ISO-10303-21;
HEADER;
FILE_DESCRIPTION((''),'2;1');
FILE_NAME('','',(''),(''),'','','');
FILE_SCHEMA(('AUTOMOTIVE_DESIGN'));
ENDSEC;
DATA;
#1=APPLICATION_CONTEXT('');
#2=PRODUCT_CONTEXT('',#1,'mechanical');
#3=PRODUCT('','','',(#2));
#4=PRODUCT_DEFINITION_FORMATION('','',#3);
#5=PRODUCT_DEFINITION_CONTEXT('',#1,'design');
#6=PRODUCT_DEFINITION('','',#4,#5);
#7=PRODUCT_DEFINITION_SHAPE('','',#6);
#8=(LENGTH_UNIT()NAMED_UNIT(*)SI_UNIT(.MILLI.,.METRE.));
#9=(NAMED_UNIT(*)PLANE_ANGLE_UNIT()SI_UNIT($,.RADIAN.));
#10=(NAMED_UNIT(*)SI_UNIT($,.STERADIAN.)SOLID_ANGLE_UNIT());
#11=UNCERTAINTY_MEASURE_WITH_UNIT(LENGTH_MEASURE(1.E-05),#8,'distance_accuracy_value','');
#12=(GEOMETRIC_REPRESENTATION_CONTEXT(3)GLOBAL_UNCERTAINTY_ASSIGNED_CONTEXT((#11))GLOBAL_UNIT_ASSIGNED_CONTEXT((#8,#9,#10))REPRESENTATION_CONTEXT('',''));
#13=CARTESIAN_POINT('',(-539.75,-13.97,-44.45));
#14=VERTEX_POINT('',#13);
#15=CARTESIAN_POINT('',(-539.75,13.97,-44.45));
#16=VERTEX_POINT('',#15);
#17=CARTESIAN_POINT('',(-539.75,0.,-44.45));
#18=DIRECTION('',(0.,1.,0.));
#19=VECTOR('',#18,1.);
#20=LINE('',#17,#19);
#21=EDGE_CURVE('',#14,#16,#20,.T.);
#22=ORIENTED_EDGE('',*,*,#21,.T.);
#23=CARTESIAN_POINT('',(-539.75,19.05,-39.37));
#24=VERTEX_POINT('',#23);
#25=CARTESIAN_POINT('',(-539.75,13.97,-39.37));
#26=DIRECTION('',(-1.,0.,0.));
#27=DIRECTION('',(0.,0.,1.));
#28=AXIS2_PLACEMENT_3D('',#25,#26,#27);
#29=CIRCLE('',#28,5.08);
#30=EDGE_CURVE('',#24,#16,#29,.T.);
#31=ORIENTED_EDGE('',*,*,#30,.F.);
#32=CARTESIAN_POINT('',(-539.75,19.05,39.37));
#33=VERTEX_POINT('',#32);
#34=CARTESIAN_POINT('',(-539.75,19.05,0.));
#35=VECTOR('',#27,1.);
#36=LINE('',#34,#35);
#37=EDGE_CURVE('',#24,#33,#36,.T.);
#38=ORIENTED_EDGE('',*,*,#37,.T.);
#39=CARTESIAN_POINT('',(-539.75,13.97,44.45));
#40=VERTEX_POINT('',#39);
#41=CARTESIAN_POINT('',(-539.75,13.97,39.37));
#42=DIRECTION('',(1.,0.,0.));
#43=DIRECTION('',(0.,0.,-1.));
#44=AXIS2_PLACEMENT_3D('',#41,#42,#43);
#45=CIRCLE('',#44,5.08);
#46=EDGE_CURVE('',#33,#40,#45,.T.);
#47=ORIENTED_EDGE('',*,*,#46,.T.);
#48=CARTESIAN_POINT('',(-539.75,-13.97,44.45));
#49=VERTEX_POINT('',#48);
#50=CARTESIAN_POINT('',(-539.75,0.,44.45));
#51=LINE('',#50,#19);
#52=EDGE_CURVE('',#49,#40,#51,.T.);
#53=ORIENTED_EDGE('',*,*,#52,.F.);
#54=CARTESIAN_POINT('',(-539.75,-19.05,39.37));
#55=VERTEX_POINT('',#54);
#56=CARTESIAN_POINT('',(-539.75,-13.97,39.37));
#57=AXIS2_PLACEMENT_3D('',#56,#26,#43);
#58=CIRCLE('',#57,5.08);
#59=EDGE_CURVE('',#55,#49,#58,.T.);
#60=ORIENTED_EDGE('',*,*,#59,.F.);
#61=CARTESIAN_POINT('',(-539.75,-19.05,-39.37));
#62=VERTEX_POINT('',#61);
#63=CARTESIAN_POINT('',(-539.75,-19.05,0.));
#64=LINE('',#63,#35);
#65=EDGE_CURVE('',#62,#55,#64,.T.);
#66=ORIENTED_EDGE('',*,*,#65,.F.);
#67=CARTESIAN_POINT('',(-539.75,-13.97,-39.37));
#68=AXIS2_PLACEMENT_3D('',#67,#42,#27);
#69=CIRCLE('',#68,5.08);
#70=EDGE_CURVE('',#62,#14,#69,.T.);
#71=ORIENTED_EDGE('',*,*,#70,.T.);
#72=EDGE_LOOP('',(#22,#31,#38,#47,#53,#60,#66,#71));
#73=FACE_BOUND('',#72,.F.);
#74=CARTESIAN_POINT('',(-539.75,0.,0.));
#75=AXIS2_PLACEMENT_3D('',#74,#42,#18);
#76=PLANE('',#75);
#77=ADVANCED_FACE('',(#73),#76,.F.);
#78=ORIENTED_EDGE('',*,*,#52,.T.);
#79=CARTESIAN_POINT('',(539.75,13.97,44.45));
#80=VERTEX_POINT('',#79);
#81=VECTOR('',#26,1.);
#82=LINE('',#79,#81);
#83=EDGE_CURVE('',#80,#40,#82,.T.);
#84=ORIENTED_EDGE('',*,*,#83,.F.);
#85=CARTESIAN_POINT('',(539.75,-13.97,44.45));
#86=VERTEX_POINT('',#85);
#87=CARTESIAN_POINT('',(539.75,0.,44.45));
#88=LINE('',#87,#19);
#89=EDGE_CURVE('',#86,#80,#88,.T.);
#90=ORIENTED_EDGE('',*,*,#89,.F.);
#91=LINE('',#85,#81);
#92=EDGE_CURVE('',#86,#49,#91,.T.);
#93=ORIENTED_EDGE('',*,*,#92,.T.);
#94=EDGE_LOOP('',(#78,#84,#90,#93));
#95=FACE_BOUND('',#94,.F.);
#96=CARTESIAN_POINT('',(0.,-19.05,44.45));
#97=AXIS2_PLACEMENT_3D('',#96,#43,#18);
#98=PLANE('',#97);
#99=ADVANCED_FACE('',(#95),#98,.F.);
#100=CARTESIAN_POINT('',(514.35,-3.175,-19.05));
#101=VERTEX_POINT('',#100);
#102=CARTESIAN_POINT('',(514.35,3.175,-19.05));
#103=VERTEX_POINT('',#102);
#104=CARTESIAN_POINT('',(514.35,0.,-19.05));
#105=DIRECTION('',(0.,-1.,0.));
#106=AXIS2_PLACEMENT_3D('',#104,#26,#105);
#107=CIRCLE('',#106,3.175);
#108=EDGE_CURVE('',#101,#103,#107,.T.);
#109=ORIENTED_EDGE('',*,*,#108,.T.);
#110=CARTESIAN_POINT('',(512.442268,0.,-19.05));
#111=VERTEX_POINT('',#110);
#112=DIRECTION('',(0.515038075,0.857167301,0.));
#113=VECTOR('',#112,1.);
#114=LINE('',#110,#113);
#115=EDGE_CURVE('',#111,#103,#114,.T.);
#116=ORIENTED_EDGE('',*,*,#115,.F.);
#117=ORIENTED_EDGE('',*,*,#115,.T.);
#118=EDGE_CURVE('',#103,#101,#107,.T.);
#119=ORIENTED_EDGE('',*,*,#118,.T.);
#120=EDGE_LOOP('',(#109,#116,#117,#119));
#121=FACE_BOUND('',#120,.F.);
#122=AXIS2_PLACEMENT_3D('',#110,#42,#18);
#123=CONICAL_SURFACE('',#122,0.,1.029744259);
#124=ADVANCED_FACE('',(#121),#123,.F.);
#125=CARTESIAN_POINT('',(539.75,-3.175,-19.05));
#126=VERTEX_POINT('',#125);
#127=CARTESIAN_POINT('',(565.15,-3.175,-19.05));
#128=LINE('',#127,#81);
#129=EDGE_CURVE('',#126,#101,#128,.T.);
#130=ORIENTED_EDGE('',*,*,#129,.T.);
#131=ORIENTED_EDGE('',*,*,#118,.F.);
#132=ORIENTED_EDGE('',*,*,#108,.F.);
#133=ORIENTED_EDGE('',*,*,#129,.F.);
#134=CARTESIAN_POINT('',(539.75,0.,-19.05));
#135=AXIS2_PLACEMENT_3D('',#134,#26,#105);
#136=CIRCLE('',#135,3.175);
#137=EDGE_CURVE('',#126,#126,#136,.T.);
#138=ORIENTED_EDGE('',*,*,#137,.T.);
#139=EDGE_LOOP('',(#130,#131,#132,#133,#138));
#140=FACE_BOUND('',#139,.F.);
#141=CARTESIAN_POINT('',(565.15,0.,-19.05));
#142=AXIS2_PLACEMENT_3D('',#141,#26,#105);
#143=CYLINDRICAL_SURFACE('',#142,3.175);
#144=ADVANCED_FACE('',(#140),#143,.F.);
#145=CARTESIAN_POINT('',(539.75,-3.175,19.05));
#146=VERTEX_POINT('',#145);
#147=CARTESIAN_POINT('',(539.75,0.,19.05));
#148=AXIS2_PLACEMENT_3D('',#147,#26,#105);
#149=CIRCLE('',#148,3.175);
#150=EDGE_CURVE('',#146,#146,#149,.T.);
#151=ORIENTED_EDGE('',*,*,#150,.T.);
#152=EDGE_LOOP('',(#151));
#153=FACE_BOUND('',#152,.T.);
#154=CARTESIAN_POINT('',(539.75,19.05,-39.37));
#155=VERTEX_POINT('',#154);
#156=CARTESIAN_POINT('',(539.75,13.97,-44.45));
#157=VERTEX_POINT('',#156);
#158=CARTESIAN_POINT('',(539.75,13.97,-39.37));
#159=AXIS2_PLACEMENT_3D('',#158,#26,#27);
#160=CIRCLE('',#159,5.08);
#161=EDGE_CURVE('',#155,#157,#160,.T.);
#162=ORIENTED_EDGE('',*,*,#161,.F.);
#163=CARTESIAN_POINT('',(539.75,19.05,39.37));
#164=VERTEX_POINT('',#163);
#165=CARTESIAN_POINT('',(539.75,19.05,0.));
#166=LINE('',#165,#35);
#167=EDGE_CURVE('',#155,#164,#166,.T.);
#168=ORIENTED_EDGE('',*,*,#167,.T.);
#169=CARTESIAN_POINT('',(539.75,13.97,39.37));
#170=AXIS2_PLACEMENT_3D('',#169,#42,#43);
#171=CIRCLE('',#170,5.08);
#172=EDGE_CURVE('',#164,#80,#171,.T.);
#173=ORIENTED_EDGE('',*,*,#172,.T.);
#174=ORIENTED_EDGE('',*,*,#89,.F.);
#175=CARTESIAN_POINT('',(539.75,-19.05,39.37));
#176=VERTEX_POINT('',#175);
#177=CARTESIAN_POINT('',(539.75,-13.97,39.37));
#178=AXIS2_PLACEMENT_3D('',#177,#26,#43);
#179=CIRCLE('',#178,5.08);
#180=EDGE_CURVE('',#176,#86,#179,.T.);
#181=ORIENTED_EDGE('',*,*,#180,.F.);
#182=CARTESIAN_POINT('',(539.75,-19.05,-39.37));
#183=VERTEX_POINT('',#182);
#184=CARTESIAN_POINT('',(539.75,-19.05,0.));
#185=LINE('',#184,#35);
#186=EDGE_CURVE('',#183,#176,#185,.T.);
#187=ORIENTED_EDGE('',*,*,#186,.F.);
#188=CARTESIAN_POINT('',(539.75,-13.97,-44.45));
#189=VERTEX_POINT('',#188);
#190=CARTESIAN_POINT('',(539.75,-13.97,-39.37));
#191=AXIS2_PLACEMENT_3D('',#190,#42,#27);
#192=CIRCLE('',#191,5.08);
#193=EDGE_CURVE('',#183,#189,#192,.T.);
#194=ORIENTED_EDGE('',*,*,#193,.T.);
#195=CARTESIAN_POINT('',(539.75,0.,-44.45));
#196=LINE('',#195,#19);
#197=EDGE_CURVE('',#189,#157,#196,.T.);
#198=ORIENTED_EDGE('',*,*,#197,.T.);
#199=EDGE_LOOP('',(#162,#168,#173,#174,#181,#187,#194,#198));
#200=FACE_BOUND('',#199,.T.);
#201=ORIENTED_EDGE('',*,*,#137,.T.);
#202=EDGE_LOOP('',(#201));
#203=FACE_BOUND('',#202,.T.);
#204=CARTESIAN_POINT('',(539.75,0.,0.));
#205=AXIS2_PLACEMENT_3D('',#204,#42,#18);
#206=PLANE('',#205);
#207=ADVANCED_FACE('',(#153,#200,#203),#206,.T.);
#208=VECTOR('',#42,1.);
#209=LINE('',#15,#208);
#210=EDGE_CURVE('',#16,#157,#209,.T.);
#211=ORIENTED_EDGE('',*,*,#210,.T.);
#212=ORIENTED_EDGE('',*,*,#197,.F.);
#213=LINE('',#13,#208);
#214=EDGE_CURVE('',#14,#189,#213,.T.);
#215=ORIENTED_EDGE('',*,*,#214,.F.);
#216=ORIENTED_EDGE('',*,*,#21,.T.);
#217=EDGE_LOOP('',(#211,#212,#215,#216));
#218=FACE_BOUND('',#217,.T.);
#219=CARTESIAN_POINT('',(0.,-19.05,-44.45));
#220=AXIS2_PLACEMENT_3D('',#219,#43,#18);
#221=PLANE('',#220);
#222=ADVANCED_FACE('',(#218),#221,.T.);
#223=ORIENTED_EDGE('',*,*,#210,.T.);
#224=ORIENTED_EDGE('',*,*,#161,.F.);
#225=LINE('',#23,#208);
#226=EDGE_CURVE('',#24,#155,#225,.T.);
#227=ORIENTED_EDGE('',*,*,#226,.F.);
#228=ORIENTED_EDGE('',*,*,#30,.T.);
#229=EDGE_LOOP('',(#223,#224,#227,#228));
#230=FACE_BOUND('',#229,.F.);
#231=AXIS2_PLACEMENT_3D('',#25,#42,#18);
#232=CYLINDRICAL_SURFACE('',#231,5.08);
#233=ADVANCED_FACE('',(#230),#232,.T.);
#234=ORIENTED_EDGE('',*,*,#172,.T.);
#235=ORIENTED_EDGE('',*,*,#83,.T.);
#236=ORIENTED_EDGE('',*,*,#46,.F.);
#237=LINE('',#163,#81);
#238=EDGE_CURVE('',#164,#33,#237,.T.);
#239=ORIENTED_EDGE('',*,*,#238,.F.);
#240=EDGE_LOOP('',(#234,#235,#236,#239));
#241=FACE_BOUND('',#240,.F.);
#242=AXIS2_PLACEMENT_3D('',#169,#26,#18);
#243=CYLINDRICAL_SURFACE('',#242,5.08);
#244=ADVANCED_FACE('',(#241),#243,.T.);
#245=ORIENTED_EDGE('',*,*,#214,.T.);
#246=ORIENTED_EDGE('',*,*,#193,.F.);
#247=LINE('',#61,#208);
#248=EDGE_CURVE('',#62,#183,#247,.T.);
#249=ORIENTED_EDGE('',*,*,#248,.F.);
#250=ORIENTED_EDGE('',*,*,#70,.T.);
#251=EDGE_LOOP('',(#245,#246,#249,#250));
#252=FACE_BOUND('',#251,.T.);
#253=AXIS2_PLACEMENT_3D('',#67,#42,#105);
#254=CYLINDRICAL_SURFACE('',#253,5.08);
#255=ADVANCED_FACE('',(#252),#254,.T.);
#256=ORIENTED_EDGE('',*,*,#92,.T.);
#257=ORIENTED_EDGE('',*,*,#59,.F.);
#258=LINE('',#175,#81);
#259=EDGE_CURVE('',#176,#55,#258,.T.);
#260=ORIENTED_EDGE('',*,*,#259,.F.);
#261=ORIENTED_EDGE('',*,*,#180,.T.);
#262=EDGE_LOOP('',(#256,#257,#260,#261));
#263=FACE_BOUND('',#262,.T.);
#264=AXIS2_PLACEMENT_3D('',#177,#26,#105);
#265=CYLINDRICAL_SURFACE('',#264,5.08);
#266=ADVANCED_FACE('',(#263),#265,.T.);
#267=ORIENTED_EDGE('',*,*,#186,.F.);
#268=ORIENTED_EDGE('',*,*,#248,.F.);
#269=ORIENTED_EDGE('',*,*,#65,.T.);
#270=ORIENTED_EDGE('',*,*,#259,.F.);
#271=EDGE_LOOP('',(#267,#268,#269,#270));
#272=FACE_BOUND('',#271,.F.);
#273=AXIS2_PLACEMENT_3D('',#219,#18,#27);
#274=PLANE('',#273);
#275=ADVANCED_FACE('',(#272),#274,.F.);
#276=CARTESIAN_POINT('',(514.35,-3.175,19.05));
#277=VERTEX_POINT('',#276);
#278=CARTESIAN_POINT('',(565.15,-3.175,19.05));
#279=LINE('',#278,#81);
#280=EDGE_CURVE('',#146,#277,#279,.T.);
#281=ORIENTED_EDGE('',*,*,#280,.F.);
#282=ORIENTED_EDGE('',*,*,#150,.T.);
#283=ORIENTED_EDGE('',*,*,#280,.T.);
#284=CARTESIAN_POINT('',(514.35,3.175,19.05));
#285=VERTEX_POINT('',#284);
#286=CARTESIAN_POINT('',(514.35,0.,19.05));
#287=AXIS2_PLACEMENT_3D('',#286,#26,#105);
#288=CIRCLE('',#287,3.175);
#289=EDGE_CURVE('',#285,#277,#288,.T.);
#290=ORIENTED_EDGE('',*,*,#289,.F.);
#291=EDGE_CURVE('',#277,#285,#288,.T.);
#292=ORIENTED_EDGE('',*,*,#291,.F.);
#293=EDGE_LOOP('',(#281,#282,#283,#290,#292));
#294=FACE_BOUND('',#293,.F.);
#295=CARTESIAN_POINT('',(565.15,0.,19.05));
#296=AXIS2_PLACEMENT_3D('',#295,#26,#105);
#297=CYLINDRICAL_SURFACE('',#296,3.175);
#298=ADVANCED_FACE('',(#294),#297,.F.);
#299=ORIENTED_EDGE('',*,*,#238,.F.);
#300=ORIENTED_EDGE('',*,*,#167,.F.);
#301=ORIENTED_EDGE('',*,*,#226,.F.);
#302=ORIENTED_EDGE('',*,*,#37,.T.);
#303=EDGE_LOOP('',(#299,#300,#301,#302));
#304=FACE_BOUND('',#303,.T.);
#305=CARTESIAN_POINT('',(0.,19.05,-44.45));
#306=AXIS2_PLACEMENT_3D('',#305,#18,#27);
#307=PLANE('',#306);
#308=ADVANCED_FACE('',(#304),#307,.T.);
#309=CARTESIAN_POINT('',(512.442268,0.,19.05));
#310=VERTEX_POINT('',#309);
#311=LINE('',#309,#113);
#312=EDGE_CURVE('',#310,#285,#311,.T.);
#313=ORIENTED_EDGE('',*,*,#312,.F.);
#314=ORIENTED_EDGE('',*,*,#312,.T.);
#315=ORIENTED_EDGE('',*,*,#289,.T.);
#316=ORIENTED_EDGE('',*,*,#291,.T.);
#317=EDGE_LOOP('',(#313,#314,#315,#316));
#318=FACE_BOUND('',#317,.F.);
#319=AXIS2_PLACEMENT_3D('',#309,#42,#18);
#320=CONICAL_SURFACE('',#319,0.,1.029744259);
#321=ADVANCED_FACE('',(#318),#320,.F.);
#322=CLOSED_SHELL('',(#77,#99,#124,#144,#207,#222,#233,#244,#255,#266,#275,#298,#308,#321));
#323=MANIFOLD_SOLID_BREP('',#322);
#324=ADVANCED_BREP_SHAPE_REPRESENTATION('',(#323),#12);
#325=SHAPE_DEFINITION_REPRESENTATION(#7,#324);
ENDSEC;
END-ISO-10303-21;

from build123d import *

# Parameters (mm, degrees)
F0_W     = 38.1
F0_H     = 88.9
F1_DEPTH = 539.75
F2_R     = 5.08
F4_D     = 6.35
F4_DEPTH = 25.4
F4_TIP   = 1.9077324654


with BuildPart() as f1:
    # F0 (on Right) → F1 (new body, symmetric)
    with BuildSketch(Plane.YZ):
        Rectangle(F0_W, F0_H)
    extrude(amount=F1_DEPTH, both=True)

    # F2
    f2_edges = [f1.edges().sort_by_distance(p)[0] for p in [
        (0, -19.05, 44.45),
        (0, 19.05, 44.45),
        (0, -19.05, -44.45),
        (0, 19.05, -44.45),
    ]]
    fillet(f2_edges, radius=F2_R)

    # F4
    with Locations(Plane.YZ.offset(539.75)):
        with Locations((0, 19.05), (0, -19.05)):
            Hole(F4_D / 2, depth=F4_DEPTH)
            with Locations((0, 0, -(F4_DEPTH + F4_TIP / 2))):  # 118° drill point
                Cone(0, F4_D / 2, F4_TIP, mode=Mode.SUBTRACT)


solid = f1.part
